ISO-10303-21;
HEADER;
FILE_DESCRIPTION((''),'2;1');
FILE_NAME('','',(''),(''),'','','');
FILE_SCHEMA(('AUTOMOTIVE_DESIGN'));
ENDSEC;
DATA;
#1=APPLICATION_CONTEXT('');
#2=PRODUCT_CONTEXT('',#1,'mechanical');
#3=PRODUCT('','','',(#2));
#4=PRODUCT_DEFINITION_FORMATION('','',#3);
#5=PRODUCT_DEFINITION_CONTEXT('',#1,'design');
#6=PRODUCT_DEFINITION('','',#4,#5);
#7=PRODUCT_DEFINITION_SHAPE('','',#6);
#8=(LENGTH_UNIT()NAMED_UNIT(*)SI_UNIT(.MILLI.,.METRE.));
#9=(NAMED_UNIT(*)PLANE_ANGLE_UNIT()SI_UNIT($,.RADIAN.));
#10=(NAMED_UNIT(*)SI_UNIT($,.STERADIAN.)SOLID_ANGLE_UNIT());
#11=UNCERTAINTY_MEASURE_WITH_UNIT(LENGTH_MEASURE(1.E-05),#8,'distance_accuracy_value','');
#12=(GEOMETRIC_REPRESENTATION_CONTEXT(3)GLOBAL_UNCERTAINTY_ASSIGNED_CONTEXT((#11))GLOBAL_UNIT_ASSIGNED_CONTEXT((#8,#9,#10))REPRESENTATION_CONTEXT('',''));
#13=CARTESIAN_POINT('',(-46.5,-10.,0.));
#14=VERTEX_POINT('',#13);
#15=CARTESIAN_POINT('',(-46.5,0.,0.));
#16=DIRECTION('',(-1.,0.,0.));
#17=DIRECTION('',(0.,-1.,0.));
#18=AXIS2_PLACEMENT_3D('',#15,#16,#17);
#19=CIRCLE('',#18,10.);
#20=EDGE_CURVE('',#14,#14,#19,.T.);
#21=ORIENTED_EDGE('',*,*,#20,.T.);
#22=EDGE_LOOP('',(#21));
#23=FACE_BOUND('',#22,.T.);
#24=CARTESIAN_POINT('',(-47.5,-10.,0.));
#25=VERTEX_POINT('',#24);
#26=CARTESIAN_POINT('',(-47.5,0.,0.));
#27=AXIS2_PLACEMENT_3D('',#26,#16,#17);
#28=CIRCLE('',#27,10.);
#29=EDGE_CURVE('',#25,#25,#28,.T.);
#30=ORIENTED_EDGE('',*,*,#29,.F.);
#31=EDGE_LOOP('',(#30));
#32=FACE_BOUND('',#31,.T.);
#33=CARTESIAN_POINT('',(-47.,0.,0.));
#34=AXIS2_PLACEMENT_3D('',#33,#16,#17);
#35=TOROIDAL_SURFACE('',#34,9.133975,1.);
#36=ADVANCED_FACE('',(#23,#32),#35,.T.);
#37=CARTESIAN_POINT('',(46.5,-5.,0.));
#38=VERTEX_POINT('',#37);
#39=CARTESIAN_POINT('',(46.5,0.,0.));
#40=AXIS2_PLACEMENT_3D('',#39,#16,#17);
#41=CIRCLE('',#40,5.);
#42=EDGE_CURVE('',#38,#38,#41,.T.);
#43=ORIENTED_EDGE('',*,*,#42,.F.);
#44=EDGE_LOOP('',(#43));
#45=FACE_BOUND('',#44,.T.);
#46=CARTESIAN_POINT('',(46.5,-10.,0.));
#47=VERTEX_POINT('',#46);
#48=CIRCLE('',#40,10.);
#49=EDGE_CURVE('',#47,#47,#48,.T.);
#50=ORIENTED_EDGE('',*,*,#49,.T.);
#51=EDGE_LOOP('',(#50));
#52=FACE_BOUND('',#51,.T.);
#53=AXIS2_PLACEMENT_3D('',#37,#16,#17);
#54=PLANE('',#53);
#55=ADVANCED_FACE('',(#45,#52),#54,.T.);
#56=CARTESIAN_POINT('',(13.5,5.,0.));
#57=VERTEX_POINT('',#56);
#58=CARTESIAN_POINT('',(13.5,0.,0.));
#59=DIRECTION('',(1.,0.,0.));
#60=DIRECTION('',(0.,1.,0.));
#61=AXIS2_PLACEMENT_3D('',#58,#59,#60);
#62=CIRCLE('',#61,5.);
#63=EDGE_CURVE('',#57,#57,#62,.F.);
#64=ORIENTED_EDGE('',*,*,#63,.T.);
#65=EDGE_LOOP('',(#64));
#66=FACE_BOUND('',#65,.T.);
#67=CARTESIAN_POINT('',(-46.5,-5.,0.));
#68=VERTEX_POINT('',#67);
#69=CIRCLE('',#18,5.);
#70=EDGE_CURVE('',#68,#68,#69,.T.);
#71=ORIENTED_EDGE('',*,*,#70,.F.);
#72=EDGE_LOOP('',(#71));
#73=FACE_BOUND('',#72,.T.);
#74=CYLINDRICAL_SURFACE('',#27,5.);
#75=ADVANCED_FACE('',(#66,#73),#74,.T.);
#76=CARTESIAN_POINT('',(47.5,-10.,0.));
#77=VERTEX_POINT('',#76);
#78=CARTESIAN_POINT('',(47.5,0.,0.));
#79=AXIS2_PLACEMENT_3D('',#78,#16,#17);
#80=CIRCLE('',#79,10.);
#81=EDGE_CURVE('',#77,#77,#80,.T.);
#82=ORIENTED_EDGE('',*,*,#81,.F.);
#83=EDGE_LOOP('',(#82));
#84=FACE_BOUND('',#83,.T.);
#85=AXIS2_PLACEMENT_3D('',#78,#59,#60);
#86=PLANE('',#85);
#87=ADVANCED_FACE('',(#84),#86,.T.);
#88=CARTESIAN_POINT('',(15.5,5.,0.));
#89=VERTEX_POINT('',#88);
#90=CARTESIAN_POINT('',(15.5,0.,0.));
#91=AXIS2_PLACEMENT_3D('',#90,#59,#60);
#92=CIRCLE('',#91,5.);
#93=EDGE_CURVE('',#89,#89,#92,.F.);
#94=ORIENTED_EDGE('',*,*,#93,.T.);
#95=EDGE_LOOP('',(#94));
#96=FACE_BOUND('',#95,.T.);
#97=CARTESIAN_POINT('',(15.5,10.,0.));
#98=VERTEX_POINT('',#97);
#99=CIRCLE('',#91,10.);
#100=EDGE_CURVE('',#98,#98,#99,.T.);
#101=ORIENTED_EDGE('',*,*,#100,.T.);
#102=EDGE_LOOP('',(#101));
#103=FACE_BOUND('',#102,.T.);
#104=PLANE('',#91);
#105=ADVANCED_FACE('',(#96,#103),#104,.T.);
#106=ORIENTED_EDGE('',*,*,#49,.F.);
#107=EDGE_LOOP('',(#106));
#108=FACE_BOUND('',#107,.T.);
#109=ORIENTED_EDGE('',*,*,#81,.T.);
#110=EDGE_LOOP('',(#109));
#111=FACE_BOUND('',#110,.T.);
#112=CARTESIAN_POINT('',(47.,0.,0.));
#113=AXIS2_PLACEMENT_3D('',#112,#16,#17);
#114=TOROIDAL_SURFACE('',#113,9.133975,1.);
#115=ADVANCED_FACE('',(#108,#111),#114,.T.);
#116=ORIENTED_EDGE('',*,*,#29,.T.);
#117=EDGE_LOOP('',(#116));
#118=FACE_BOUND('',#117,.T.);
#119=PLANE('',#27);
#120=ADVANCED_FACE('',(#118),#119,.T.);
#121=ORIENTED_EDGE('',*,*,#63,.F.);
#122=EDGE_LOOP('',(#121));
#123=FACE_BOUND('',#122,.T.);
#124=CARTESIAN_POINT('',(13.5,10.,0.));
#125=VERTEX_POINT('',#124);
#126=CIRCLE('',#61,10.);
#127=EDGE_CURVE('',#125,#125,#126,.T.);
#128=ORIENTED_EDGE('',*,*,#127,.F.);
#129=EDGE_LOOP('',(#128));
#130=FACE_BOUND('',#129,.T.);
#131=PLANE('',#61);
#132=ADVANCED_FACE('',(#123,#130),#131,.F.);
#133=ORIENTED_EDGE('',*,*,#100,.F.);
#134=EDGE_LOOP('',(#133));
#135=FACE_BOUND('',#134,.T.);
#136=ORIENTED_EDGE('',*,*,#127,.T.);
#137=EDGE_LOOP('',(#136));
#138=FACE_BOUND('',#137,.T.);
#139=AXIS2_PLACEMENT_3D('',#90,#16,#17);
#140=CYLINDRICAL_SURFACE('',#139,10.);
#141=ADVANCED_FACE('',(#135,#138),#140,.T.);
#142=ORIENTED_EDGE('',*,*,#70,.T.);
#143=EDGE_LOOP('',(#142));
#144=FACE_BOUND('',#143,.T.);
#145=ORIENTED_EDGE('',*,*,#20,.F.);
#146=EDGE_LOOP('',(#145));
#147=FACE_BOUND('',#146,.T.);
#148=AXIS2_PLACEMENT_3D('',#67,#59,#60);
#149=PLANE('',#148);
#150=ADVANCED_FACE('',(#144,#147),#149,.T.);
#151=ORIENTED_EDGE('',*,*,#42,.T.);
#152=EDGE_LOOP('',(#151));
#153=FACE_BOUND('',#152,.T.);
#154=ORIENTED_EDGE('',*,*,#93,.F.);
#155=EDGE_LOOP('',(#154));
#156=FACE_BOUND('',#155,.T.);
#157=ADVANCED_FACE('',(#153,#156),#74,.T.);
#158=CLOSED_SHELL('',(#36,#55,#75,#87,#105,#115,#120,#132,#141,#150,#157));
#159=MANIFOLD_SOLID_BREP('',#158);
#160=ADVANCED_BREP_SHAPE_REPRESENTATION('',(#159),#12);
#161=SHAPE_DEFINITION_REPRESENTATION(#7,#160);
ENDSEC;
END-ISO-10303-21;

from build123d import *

# Parameters (mm, degrees)
SKETCH2_R           = 10
BOSS_EXTRUDE1_DEPTH = 2


with BuildPart() as part:
    # Sketch1 → Revolve1 (revolve)
    with BuildSketch(Plane.XY):
        with BuildLine():
            Line((-47.5, 0), (47.5, 0))
            Line((47.5, 0), (47.5, -10))
            ThreePointArc((47.5, -10), (47, -10.133974596), (46.5, -10))
            Line((46.5, -10), (46.5, -5))
            Line((46.5, -5), (-46.5, -5))
            Line((-46.5, -5), (-46.5, -10))
            ThreePointArc((-46.5, -10), (-47, -10.133974596), (-47.5, -10))
            Line((-47.5, -10), (-47.5, 0))
        make_face()
    revolve(axis=Axis((-47.5, 0, 0), (1, 0, 0)))

    # Sketch2 → Boss-Extrude1 (add)
    with BuildSketch(Plane(origin=(13.5, 0, 0), x_dir=(0, 0, -1), z_dir=(1, 0, 0))):
        with Locations(Location((0, 0, 0), (0, 0, 90))):
            Circle(SKETCH2_R)
    extrude(amount=BOSS_EXTRUDE1_DEPTH)


solid = part.part
